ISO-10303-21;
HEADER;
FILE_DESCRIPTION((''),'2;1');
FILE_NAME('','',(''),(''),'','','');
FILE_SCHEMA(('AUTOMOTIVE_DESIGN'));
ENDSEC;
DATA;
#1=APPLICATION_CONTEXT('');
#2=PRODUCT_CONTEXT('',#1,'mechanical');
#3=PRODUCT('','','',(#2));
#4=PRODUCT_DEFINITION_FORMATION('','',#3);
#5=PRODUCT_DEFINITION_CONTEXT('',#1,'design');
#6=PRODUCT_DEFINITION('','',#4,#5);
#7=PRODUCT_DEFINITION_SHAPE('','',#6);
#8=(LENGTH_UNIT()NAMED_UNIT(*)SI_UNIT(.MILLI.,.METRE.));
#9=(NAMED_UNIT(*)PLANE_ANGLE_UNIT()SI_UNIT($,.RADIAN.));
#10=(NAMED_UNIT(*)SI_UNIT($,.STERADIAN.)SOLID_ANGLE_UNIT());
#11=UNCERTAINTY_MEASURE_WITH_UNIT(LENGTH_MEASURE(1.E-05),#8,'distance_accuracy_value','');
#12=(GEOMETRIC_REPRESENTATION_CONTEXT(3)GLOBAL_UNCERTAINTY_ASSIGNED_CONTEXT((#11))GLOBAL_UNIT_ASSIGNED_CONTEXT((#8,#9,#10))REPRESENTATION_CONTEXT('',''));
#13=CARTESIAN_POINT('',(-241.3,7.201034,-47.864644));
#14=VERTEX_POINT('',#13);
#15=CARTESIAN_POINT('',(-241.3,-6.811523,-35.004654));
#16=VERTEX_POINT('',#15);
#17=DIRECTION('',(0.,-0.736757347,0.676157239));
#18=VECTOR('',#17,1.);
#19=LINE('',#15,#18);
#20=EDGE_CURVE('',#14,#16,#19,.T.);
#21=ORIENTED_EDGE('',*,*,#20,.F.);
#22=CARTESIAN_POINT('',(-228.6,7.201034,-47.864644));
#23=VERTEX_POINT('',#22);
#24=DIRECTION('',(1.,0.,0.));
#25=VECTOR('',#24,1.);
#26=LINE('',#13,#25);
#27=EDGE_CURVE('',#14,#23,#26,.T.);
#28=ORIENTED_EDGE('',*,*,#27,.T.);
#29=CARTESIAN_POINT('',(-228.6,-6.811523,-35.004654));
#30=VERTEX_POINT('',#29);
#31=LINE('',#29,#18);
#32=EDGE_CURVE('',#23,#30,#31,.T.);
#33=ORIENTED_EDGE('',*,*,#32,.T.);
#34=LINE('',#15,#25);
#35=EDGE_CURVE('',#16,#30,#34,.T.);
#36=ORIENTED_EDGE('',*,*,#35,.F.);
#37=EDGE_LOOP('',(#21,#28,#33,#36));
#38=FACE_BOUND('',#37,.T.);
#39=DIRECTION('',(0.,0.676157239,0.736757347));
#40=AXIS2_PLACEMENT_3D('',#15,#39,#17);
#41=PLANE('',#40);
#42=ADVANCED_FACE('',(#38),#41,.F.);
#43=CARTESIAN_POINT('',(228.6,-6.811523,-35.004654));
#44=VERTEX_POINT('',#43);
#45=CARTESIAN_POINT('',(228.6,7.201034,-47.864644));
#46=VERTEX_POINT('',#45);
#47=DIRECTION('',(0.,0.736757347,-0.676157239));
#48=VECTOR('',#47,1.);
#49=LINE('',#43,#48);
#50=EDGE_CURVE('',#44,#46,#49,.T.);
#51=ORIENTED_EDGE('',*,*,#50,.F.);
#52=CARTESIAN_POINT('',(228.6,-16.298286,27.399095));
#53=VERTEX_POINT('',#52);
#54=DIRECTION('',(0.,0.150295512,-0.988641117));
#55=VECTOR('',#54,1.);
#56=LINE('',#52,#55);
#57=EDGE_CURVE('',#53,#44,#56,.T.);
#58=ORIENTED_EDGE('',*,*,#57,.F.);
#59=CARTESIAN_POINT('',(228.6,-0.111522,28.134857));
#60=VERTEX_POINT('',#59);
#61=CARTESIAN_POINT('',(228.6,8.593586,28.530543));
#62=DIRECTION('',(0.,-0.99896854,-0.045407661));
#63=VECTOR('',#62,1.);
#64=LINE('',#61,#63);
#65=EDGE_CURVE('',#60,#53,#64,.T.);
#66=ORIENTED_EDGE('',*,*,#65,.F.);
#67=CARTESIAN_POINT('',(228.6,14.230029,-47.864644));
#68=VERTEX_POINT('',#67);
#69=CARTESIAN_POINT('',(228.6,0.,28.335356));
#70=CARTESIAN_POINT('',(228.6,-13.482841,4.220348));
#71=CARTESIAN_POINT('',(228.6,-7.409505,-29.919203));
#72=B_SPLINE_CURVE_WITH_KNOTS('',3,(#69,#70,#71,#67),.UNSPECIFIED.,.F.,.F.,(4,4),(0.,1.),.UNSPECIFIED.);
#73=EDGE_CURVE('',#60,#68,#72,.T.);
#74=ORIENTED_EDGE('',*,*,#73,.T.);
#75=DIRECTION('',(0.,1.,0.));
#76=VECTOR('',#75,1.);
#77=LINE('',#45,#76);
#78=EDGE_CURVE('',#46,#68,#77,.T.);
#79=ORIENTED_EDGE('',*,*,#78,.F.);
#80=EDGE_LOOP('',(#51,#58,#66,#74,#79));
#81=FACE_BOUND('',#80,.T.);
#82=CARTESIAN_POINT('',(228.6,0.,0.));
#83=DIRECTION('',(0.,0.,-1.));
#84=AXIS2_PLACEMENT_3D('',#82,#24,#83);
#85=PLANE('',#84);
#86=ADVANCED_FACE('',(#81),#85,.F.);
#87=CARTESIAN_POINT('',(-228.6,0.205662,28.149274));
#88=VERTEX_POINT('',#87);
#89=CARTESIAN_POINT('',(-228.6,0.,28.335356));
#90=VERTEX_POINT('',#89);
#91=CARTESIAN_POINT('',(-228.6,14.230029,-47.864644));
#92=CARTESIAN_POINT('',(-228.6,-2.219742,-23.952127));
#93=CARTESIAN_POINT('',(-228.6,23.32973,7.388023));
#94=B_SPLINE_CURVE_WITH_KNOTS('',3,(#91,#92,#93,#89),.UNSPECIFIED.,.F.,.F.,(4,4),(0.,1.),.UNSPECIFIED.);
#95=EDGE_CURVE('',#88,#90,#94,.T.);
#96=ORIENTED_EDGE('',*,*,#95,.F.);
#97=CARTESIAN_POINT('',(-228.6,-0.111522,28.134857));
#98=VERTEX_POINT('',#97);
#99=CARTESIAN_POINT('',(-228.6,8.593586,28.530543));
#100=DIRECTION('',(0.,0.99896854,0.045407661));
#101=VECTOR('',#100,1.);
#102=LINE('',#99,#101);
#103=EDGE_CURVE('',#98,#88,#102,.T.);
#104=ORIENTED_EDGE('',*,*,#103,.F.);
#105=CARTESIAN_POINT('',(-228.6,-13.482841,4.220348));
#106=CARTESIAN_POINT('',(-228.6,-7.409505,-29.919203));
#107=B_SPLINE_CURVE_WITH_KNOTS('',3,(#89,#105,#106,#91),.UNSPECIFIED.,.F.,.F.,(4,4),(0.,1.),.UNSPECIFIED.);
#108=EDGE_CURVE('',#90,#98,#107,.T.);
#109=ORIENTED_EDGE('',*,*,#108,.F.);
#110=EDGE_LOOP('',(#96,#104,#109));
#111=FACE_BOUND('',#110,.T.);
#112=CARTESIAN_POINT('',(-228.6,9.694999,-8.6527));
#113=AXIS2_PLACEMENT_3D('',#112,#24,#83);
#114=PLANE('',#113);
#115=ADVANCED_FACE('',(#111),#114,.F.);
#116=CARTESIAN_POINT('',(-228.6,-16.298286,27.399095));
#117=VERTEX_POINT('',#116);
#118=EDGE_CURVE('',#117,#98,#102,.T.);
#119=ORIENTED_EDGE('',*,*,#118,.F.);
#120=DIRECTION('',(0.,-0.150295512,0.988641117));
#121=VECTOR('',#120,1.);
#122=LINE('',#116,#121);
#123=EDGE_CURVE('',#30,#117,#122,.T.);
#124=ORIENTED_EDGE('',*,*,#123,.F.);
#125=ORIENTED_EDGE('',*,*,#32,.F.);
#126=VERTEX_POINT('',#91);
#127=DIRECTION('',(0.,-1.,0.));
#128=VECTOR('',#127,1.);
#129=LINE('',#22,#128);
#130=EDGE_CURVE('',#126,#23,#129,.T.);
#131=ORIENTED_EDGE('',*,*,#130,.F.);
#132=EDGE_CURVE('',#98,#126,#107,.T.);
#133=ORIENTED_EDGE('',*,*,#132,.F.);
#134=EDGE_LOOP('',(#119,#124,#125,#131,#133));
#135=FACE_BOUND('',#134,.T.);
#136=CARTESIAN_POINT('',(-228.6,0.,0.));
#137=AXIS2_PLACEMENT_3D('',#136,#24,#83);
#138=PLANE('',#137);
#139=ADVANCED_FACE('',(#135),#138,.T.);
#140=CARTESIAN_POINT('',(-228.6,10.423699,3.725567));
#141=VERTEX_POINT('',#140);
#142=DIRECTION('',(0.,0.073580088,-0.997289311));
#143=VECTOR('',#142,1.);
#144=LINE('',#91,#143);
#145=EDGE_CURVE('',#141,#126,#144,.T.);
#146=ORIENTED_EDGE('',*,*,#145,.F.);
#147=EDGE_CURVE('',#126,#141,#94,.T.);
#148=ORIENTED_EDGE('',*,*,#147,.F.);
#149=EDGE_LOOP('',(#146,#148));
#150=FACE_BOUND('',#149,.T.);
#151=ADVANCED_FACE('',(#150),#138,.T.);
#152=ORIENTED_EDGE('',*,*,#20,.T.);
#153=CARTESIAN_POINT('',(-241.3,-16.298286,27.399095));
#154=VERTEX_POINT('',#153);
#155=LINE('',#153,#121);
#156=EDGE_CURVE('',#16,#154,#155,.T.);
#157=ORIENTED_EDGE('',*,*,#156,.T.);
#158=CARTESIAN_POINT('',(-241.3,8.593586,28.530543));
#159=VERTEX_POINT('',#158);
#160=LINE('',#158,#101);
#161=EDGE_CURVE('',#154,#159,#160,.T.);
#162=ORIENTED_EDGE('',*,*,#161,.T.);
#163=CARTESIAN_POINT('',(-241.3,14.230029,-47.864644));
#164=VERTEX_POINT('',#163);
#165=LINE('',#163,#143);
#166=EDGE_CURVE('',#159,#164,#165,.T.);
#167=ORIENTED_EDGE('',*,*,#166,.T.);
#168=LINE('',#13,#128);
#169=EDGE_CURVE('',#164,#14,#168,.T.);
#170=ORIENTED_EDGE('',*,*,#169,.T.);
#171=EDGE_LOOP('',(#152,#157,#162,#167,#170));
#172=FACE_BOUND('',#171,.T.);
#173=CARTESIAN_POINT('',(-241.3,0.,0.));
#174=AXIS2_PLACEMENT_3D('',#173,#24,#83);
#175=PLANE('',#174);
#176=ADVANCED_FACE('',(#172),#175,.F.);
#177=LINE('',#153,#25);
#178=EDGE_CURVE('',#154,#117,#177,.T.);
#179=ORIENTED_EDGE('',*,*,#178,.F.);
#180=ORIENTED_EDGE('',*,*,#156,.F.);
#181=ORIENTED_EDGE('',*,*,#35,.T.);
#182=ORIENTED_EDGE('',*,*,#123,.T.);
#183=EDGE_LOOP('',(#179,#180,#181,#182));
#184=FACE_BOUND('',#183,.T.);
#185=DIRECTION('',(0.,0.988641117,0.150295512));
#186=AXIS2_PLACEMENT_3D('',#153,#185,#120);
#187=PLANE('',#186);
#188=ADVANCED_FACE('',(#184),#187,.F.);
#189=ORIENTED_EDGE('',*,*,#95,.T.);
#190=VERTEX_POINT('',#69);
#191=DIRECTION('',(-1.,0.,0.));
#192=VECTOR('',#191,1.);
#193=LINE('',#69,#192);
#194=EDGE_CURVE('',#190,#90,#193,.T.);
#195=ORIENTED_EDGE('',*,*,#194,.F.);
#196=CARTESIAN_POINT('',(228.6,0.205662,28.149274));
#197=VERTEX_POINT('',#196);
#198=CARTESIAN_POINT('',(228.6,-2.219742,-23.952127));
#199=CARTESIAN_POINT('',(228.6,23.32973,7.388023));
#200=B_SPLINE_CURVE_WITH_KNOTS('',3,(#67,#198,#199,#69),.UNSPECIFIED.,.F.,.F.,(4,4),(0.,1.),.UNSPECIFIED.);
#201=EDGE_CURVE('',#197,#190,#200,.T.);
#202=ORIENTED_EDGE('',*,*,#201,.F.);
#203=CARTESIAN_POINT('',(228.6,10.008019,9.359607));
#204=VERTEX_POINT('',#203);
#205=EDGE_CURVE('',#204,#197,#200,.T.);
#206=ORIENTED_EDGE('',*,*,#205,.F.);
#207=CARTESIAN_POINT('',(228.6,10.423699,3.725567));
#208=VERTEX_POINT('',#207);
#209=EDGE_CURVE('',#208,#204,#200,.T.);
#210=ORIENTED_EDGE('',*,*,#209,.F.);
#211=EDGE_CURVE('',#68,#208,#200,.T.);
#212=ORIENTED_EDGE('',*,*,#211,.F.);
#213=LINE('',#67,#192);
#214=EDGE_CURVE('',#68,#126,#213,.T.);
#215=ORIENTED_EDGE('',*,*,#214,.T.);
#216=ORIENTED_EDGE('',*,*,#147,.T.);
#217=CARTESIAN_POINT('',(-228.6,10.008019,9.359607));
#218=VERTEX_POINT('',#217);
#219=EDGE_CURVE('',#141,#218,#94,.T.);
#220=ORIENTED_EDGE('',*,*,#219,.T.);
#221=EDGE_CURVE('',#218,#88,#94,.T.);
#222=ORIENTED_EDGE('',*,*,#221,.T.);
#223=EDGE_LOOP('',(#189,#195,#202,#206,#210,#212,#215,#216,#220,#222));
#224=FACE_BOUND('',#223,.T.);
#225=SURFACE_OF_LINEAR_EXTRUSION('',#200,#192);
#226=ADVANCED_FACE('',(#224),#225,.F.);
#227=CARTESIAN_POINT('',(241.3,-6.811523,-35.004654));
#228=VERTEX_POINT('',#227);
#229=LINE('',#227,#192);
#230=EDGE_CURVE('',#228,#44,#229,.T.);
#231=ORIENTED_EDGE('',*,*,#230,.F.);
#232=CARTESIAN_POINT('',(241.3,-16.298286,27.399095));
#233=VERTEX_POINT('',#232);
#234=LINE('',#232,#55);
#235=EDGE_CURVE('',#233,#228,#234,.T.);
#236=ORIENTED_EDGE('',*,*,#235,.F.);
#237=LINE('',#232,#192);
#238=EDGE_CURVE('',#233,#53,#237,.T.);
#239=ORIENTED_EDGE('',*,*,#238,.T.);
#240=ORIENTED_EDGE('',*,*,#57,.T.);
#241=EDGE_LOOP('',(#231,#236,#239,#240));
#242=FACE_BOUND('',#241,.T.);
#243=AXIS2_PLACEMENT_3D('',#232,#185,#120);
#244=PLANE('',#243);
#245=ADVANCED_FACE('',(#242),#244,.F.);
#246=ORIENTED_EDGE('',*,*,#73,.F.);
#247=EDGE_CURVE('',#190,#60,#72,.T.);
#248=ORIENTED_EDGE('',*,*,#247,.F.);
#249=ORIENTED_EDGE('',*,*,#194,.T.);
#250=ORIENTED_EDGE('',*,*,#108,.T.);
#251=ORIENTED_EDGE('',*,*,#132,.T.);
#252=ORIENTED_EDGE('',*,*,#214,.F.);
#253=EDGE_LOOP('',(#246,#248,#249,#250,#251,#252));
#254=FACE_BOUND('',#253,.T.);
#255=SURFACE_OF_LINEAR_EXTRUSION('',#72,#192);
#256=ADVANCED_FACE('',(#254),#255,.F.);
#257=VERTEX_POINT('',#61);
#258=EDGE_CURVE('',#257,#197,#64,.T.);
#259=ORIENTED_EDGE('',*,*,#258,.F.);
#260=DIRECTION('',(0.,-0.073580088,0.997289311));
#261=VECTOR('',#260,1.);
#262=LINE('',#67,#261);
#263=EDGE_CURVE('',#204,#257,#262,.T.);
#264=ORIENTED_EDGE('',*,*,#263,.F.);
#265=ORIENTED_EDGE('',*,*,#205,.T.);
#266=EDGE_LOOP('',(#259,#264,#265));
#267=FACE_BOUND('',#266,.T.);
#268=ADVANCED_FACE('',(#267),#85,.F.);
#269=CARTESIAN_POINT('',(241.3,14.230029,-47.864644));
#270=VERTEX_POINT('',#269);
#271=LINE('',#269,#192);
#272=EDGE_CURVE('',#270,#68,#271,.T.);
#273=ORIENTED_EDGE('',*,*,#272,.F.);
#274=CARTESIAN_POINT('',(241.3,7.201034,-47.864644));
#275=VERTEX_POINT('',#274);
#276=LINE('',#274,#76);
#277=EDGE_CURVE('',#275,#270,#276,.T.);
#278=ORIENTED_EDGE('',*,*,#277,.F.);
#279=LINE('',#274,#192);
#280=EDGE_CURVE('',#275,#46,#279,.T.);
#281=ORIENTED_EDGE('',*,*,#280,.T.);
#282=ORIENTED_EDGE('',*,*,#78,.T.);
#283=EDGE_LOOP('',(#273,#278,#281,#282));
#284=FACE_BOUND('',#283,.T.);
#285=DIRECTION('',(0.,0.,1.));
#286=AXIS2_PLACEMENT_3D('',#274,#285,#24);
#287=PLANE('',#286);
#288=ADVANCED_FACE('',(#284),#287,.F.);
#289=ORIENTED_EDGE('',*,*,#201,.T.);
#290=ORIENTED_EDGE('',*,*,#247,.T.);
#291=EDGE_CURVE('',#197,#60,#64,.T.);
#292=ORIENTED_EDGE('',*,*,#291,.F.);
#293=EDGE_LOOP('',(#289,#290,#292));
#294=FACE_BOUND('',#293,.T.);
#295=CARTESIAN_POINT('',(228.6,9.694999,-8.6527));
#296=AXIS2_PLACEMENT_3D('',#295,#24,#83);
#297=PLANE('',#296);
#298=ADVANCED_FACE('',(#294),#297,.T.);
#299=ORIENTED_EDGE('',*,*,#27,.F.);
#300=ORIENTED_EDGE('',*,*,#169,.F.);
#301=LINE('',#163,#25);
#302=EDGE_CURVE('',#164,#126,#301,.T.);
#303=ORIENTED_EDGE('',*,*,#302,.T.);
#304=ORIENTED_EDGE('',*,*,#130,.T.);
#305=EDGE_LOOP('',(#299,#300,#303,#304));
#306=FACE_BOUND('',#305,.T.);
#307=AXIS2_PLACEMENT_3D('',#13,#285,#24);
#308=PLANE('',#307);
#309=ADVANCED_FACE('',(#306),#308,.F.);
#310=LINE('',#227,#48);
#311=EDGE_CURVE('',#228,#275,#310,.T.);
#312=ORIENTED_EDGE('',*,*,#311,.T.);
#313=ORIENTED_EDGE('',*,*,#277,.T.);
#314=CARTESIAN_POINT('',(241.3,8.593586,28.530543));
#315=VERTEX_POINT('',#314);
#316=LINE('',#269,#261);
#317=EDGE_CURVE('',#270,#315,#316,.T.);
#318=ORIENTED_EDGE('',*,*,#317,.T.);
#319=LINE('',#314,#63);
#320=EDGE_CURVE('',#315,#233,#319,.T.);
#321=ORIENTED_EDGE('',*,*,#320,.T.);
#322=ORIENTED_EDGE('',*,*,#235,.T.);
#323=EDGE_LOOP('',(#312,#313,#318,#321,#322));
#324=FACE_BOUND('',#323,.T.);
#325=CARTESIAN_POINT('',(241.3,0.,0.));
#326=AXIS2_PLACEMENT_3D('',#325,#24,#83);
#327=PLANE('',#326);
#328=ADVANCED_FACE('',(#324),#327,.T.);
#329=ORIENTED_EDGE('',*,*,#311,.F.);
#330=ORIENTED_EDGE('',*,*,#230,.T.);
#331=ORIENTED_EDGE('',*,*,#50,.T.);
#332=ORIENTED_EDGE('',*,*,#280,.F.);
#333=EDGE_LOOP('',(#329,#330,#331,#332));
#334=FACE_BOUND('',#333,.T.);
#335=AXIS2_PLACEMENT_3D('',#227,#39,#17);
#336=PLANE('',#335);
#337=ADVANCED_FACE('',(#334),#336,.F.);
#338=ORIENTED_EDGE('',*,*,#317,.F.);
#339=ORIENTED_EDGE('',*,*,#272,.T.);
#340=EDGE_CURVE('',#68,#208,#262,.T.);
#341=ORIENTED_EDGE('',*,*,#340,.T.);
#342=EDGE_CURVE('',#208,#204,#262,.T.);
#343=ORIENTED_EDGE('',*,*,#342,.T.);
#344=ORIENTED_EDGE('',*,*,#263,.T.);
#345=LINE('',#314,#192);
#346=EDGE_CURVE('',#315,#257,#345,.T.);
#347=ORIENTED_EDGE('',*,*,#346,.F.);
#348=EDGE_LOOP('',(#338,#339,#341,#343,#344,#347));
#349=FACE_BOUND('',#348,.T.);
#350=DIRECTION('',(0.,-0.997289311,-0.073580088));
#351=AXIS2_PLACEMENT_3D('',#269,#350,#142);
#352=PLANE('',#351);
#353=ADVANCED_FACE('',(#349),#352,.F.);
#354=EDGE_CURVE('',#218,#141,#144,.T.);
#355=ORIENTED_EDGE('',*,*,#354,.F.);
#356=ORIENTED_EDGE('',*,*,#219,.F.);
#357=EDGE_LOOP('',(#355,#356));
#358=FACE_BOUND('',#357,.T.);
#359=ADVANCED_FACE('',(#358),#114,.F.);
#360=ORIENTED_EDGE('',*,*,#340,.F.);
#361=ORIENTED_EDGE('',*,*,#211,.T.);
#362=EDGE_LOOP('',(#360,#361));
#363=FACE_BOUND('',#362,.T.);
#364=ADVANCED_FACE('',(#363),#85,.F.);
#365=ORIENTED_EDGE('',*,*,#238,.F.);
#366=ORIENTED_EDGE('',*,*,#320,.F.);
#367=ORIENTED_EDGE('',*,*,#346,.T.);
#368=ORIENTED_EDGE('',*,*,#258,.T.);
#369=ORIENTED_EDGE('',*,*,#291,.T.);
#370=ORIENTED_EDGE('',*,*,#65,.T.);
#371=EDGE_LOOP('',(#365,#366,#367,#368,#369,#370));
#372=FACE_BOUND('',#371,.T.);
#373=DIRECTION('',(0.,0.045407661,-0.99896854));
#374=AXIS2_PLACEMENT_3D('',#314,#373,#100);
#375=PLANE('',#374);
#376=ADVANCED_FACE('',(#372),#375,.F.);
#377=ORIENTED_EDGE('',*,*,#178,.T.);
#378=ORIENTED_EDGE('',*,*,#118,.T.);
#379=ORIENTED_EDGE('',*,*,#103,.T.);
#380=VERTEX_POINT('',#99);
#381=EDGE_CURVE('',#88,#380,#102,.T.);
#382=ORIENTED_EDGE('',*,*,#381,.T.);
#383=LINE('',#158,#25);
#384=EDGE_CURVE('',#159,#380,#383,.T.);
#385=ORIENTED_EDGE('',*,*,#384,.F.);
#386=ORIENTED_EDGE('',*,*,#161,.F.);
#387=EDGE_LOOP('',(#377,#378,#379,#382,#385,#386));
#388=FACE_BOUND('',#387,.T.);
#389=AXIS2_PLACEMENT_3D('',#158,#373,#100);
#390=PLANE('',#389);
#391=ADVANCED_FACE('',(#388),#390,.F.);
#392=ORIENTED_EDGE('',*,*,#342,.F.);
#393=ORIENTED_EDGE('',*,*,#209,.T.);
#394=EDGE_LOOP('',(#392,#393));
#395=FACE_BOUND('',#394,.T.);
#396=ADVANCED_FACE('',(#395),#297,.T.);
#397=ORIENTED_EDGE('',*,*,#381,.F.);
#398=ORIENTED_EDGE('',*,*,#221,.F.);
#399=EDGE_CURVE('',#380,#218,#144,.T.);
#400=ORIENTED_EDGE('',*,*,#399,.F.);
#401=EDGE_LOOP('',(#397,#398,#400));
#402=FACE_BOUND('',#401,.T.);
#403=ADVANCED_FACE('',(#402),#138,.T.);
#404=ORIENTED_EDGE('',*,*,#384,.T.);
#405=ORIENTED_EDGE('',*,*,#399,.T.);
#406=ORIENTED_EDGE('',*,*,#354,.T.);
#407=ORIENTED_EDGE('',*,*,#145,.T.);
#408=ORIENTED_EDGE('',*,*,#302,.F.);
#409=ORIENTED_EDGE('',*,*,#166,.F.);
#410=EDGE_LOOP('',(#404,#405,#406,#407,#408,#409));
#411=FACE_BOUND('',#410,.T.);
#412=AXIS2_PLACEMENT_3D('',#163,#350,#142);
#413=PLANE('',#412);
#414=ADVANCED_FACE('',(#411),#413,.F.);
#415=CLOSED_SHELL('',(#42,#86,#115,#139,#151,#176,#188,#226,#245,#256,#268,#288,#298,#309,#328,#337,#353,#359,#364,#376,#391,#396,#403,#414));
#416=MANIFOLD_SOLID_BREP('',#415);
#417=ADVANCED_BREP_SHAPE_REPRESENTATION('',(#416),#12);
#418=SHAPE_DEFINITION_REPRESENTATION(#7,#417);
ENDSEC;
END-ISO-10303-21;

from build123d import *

# Parameters (mm, degrees)
BOSS_EXTRUDE2_DEPTH = 228.6
BOSS_EXTRUDE3_DEPTH = 12.7
BOSS_EXTRUDE4_DEPTH = 12.7


with BuildPart() as part:
    # Sketch5 → Boss-Extrude2 (new, symmetric)
    with BuildSketch(Plane(origin=(0, 0, 0), x_dir=(0, 0, -1), z_dir=(1, 0, 0))):
        with BuildLine():
            add(Edge.make_bspline(
                [(-28.335355673, 0), (-4.22034825, -13.482840601), (29.919203063, -7.409504984), (47.864644327, 14.230029394)],
                knots=[0, 0, 0, 0, 1, 1, 1, 1], degree=3))
            add(Edge.make_bspline(
                [(-28.335355673, 0), (-7.388023191, 23.329729693), (23.952126554, -2.21974241), (47.864644327, 14.230029394)],
                knots=[0, 0, 0, 0, 1, 1, 1, 1], degree=3))
        make_face()
    extrude(amount=BOSS_EXTRUDE2_DEPTH, both=True)

    # Sketch7 → Boss-Extrude3 (add)
    with BuildSketch(Plane(origin=(228.6, 0, 0), x_dir=(0, 0, -1), z_dir=(1, 0, 0))):
        Polygon((47.864644327, 14.230029394), (-28.530543378, 8.593586149), (-27.39909465, -16.298285859), (35.004654405, -6.81152345), (47.864644327, 7.201033869), align=None)
    extrude(amount=BOSS_EXTRUDE3_DEPTH)

    # Sketch8 → Boss-Extrude4 (add)
    with BuildSketch(Plane.ZY.offset(228.6)):
        Polygon((28.530543378, 8.593586149), (27.39909465, -16.298285859), (-35.004654405, -6.81152345), (-47.864644327, 7.201033869), (-47.864644327, 14.230029394), align=None)
    extrude(amount=BOSS_EXTRUDE4_DEPTH)


solid = part.part
